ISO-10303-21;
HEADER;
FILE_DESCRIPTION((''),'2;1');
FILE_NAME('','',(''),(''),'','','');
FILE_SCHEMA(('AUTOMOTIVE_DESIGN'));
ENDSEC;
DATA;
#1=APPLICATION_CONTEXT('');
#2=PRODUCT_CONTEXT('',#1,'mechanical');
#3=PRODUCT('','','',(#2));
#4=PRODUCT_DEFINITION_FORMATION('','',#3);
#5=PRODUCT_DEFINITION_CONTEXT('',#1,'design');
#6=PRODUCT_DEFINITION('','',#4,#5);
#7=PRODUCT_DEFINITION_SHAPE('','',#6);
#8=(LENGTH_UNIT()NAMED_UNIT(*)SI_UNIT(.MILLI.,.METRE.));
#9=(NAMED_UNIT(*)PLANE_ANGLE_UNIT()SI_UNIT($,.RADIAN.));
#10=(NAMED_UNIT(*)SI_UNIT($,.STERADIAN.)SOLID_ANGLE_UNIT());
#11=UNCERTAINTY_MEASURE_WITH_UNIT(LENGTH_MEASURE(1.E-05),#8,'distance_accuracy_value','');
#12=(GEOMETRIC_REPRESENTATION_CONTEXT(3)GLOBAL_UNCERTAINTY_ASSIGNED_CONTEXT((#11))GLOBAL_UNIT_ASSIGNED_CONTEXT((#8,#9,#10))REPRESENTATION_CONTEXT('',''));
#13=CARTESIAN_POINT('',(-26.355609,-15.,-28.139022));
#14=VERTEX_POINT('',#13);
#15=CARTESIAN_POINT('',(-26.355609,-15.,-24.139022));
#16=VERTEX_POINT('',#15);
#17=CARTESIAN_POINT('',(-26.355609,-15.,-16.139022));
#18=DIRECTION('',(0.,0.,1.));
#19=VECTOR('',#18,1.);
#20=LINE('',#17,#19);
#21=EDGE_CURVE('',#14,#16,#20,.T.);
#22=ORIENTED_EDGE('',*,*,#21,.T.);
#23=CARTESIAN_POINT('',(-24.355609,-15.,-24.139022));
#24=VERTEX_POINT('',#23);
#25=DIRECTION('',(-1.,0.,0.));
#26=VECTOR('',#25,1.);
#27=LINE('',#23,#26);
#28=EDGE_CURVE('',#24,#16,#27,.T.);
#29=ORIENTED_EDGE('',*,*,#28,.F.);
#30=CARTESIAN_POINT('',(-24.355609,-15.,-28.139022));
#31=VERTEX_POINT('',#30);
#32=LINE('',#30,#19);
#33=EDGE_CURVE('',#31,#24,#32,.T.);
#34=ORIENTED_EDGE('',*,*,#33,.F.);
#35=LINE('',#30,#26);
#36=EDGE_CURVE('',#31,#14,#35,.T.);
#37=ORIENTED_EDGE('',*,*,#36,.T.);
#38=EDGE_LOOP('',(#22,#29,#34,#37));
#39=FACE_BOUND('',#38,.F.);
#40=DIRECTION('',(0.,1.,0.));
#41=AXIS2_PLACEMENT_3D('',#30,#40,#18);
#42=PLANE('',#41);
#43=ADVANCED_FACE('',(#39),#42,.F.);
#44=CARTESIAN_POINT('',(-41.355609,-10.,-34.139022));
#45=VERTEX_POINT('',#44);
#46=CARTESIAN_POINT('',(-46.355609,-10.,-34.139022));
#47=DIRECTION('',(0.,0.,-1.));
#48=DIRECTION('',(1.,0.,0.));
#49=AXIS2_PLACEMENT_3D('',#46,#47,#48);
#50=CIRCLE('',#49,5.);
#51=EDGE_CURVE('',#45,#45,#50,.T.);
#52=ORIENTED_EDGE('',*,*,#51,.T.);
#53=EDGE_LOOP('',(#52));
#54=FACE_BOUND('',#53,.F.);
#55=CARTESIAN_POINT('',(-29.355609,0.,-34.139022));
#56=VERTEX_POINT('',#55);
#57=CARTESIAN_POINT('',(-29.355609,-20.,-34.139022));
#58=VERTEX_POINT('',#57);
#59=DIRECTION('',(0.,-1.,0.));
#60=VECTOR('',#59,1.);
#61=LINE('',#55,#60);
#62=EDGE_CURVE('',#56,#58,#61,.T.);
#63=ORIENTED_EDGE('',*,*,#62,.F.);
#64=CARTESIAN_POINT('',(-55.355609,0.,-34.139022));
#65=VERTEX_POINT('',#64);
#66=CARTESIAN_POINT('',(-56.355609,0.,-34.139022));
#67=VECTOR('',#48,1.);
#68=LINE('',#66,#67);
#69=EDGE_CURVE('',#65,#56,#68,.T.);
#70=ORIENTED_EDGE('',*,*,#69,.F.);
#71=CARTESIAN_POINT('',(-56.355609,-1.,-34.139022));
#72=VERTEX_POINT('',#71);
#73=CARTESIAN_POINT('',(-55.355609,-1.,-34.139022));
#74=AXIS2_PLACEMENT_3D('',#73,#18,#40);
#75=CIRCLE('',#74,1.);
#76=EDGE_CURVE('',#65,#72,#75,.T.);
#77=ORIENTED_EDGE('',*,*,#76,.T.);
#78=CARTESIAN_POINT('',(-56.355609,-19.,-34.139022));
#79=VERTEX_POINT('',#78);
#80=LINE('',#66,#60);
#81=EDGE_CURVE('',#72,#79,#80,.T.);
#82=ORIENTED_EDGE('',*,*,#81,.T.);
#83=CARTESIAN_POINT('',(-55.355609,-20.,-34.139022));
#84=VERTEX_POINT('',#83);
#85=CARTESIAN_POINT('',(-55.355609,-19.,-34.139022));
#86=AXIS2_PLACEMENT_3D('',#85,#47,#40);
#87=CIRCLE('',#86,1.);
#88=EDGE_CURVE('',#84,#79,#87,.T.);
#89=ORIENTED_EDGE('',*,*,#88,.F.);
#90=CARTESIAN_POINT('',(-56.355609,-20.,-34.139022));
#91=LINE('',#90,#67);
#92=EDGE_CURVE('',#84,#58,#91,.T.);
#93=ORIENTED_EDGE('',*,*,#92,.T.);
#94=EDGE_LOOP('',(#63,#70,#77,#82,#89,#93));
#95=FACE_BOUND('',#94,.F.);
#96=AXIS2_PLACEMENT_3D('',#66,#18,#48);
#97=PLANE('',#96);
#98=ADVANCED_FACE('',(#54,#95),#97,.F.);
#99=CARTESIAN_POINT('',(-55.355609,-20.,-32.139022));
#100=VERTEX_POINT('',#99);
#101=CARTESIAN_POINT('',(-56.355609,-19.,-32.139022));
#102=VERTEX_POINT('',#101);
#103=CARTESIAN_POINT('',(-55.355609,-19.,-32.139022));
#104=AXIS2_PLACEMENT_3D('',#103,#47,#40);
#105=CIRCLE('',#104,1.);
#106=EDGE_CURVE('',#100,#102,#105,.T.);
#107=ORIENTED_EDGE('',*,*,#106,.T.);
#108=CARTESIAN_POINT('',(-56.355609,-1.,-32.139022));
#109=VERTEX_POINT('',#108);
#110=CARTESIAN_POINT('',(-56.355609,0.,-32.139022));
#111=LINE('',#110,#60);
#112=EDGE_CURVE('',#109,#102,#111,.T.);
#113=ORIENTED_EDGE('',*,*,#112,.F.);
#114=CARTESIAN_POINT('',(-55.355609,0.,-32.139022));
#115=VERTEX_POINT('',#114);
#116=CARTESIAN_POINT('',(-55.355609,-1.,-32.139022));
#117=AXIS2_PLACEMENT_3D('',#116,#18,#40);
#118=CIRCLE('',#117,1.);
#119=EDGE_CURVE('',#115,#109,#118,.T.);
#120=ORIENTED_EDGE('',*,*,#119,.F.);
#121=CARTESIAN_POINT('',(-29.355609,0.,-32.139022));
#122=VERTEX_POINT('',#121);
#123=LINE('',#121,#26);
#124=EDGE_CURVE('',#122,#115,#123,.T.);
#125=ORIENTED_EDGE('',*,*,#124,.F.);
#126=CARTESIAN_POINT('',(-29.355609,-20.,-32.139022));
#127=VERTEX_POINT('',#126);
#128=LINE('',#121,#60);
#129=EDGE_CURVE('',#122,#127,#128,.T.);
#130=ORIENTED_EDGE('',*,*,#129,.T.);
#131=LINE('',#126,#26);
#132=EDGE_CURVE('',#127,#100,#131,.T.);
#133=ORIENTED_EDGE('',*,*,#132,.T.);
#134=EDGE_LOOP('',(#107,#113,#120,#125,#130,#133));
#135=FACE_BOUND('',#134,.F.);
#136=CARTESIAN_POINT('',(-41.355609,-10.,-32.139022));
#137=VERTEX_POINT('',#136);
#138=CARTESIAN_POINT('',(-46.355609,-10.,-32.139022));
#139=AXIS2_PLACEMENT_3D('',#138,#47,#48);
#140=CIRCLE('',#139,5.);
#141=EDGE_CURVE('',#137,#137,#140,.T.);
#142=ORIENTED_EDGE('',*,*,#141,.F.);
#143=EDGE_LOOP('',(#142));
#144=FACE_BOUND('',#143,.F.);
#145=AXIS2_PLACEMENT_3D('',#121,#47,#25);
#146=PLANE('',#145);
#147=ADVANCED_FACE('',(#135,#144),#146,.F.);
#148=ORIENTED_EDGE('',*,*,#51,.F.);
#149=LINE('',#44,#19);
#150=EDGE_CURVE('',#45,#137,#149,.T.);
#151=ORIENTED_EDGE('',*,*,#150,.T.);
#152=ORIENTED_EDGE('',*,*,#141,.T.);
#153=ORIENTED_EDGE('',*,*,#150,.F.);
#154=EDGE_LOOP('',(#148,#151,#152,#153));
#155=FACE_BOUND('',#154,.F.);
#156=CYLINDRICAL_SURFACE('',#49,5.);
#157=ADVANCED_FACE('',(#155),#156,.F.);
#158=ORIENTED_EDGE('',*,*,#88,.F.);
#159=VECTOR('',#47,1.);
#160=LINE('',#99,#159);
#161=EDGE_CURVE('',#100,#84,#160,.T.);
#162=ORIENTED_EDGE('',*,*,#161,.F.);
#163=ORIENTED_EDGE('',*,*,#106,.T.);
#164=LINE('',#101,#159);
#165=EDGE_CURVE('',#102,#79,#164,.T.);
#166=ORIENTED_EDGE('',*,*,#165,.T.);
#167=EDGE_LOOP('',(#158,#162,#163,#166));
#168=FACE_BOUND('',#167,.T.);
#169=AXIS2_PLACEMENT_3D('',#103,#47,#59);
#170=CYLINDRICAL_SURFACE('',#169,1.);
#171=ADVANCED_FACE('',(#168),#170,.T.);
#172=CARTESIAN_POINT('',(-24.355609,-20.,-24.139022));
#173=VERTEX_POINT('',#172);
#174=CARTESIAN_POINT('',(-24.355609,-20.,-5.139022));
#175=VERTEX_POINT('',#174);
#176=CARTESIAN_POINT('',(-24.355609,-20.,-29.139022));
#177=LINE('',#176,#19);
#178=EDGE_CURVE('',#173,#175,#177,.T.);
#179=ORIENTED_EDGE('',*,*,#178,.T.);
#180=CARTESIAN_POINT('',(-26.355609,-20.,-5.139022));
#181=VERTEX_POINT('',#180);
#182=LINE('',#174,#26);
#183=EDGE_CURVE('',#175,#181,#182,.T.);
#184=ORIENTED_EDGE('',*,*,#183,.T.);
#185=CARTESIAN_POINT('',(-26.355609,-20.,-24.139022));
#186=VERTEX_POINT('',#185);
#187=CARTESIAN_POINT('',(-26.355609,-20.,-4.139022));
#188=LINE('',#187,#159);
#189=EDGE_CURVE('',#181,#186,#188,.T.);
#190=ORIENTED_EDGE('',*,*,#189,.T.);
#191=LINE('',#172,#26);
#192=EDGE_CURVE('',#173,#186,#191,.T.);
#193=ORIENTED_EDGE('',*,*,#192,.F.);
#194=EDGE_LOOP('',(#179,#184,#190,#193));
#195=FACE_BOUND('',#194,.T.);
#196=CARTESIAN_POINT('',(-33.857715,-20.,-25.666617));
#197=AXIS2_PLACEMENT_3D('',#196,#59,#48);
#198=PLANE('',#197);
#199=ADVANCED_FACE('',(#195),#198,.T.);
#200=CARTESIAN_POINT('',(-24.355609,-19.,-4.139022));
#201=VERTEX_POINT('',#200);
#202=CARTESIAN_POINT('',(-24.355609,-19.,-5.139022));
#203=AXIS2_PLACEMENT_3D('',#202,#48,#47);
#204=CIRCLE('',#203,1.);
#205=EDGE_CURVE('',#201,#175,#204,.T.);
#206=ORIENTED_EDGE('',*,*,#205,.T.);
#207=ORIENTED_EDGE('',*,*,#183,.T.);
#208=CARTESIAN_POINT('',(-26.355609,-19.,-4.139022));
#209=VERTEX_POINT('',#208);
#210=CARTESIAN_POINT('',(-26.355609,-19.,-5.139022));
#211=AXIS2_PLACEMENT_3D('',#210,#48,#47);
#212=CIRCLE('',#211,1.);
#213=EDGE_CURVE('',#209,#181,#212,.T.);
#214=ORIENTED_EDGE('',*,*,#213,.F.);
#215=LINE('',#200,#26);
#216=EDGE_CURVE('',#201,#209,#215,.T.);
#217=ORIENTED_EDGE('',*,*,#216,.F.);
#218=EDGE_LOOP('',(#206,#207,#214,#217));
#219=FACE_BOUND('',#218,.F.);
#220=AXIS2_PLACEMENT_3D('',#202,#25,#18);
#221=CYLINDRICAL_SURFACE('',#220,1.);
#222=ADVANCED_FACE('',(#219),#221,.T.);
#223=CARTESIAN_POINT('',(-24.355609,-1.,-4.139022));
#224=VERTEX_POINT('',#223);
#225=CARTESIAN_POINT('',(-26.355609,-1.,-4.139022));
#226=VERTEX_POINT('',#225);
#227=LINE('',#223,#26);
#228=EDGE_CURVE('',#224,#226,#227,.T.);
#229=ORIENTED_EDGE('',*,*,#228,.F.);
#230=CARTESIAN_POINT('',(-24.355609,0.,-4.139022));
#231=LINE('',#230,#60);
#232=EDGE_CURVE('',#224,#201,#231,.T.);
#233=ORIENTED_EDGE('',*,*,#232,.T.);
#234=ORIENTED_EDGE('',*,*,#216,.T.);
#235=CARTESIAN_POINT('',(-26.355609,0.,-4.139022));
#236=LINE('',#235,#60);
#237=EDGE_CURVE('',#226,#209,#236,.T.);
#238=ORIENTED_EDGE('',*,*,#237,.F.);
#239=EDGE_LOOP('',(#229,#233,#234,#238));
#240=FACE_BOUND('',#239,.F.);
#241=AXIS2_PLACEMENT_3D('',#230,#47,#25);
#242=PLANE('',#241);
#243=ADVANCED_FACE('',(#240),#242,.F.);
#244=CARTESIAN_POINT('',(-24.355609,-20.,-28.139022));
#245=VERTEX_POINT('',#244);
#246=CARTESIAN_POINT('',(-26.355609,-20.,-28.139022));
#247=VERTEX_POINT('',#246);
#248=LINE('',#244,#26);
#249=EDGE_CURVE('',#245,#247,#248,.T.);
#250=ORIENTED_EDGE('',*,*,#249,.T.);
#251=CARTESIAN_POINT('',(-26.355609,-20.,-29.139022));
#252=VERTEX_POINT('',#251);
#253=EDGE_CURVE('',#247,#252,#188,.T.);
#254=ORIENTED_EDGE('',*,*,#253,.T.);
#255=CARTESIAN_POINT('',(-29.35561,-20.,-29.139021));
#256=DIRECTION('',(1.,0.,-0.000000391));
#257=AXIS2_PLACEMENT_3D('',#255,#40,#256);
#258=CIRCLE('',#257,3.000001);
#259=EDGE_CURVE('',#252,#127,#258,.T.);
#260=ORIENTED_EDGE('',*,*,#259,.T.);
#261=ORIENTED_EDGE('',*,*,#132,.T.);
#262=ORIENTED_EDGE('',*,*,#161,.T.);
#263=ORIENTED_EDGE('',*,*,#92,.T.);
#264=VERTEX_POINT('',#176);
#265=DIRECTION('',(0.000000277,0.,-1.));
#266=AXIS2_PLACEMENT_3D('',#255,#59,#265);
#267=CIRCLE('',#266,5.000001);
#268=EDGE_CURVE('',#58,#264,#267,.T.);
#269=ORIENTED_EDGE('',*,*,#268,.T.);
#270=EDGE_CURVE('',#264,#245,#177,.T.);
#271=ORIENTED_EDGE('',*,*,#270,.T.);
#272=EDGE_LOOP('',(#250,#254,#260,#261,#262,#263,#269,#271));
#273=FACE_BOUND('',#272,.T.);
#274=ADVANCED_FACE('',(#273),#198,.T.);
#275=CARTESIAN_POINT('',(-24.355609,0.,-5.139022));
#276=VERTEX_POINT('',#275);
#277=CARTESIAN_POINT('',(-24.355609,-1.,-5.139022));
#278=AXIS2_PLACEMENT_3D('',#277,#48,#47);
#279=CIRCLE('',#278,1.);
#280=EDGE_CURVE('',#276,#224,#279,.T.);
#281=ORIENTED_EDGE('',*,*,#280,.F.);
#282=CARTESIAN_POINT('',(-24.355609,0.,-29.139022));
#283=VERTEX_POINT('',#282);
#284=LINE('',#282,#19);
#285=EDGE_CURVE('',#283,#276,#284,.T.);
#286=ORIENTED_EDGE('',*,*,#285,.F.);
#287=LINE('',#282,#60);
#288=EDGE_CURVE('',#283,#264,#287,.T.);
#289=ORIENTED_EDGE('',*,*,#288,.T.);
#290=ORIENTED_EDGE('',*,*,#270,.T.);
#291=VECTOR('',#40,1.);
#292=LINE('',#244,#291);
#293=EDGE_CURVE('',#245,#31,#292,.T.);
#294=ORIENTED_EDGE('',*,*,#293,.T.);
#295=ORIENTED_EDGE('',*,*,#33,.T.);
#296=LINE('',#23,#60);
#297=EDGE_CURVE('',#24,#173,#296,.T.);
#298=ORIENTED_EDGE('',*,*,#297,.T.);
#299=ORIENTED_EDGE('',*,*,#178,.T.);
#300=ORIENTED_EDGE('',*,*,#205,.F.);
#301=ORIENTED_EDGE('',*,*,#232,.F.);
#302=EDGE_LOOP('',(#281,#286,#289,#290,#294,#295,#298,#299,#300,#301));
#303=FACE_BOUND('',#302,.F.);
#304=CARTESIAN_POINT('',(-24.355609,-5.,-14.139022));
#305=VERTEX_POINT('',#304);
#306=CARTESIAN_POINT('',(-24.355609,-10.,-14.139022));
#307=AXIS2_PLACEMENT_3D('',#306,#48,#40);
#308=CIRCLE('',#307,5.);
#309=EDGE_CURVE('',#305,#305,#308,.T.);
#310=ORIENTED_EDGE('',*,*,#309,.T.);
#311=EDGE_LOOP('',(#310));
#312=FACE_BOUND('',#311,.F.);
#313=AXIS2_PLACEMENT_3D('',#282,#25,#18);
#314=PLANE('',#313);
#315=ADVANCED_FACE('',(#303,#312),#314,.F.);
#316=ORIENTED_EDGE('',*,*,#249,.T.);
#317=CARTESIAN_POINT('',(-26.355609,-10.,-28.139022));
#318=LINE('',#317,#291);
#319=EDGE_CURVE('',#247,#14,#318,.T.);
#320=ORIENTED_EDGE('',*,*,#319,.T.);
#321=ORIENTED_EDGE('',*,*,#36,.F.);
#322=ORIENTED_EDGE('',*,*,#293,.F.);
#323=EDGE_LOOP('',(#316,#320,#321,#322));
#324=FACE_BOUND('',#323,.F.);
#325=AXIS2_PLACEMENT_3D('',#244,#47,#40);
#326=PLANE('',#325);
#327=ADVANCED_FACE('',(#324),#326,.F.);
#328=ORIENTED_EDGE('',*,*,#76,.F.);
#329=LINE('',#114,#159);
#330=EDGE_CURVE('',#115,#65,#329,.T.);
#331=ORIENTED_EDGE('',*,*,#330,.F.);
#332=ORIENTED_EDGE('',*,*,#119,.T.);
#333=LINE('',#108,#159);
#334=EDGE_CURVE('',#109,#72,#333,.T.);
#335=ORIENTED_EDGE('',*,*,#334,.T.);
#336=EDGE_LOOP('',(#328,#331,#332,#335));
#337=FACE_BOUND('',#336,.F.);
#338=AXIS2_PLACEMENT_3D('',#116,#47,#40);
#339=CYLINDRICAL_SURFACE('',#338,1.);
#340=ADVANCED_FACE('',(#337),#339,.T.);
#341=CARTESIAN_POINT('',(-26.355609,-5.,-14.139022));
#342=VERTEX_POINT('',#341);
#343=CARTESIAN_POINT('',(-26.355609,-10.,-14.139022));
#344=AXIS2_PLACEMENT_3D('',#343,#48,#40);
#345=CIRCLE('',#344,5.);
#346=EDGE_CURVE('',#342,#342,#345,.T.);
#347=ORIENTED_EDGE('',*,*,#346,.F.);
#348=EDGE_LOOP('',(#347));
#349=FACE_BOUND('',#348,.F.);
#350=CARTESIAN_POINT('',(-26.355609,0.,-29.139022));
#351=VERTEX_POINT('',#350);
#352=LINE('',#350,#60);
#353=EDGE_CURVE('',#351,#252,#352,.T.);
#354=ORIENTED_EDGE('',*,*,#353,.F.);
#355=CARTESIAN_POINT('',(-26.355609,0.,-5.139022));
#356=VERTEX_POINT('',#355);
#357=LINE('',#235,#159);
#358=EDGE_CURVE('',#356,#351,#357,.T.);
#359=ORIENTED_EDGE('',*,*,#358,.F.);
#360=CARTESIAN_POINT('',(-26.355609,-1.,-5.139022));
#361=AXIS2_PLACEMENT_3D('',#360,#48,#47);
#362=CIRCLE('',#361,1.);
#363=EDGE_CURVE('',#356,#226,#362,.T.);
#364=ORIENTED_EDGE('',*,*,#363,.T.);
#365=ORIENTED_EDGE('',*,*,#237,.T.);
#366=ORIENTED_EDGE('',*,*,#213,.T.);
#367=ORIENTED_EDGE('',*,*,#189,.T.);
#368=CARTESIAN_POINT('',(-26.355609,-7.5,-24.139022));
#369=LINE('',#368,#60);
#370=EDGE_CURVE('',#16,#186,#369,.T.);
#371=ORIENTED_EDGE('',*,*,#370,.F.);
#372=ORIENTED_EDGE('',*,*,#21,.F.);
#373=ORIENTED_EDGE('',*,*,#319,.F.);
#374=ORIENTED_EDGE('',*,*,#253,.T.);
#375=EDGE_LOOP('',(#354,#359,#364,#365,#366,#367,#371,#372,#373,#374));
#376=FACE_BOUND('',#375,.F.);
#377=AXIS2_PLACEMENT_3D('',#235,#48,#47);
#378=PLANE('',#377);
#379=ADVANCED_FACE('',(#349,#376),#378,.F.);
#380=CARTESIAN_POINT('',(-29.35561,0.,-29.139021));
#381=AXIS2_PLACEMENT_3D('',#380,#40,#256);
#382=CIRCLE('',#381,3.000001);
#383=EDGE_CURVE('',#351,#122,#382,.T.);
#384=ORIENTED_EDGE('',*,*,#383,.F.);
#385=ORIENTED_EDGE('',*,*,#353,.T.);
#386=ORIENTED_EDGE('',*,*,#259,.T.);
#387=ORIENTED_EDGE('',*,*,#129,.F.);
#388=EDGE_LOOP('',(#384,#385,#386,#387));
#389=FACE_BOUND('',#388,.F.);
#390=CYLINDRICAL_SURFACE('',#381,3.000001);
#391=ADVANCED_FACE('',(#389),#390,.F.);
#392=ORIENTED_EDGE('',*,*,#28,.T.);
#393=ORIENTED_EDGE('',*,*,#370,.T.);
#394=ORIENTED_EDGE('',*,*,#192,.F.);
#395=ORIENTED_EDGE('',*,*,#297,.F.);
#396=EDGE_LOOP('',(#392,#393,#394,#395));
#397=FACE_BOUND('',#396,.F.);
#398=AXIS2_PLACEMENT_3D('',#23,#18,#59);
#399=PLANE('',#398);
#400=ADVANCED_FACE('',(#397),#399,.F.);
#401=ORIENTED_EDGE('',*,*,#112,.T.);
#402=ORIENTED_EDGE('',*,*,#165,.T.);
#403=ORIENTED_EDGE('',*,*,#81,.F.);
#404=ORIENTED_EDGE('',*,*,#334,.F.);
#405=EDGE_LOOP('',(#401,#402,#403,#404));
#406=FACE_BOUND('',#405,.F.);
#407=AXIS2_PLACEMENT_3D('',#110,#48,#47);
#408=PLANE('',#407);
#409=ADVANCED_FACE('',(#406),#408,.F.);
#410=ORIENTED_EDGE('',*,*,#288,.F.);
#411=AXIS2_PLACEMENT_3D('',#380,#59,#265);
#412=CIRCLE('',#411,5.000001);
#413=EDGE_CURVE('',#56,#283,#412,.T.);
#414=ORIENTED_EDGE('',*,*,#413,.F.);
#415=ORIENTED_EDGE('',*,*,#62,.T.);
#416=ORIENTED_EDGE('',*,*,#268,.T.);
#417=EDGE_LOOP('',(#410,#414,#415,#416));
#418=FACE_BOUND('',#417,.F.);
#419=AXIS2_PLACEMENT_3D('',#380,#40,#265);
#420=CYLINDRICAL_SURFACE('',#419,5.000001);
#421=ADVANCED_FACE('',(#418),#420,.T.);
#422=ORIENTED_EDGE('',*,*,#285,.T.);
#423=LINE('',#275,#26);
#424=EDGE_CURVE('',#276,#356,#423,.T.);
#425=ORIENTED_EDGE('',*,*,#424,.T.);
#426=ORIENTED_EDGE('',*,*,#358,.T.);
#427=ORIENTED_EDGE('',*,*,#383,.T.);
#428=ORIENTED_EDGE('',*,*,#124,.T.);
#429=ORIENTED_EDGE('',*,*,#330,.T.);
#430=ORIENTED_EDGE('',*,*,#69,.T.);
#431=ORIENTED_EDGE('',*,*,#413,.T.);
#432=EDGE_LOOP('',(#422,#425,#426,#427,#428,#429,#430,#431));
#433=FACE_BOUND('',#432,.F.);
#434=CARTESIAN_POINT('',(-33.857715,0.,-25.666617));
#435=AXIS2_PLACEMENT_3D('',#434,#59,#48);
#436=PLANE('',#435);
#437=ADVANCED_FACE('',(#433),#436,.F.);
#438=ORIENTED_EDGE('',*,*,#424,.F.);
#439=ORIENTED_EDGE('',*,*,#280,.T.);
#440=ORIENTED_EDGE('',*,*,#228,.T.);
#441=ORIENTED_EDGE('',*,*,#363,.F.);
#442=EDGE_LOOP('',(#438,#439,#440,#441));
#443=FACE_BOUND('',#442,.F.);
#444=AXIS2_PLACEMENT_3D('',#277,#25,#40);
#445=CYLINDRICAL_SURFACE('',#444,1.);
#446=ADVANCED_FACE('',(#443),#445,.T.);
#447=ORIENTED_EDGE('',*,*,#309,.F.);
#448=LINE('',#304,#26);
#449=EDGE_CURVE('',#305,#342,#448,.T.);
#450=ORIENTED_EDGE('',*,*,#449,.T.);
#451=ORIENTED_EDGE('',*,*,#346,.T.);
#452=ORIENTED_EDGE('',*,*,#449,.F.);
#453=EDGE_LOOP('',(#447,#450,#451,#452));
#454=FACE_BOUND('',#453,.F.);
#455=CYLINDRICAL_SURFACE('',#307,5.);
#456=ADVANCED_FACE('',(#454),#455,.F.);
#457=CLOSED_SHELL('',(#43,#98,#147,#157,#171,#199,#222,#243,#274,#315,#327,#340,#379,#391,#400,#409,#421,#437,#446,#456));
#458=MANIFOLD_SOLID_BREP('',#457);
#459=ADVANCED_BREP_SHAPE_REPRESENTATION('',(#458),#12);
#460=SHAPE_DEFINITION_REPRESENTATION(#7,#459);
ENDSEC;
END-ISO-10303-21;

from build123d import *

# Parameters (mm, degrees)
F1_DEPTH = 20
F3_DEPTH = 3
F4_R     = 5
F5_DEPTH = 3
F6_R     = 5
F7_DEPTH = 3
F8_R     = 1


with BuildPart() as f1:
    # F0 (on Front) → F1 (new body)
    with BuildSketch(Plane.XZ):
        with BuildLine():
            Line((-29.355609, -32.139022), (-56.355609, -32.139022))
            Line((-56.355609, -32.139022), (-56.355609, -34.139022))
            Line((-56.355609, -34.139022), (-29.355609, -34.139022))
            ThreePointArc((-29.355609, -34.139022), (-25.820076, -32.674556), (-24.355609, -29.139022))
            Line((-24.355609, -29.139022), (-24.355609, -4.139022))
            Line((-24.355609, -4.139022), (-26.355609, -4.139022))
            Line((-26.355609, -4.139022), (-26.355609, -29.139022))
            ThreePointArc((-26.355609, -29.139022), (-27.234289, -31.260342), (-29.355609, -32.139022))
        make_face()
    extrude(amount=F1_DEPTH)

    # F2 (on face) → F3 (cut)
    with BuildSketch(Plane.YZ.offset(-24.355609)):
        Polygon((-17.18655, -24.139022), (-20, -24.139022), (-20, -28.139022), (-15, -28.139022), (-15, -24.139022), align=None)
    extrude(amount=-F3_DEPTH, mode=Mode.SUBTRACT)

    # F4 (on face) → F5 (cut)
    with BuildSketch(Plane.YZ.offset(-24.355609)):
        with Locations((-10, -14.139022)):
            Circle(F4_R)
    extrude(amount=-F5_DEPTH, mode=Mode.SUBTRACT)

    # F6 (on face) → F7 (cut)
    with BuildSketch(Plane(origin=(0, 0, -34.139022), x_dir=(1, 0, 0), z_dir=(0, 0, -1))):
        with Locations((-46.355609, 10)):
            Circle(F6_R)
    extrude(amount=-F7_DEPTH, mode=Mode.SUBTRACT)

    # F8
    f8_edges = [f1.edges().sort_by_distance(p)[0] for p in [
        (-25.355609, -20, -4.139022),
        (-25.355609, 0, -4.139022),
        (-56.355609, -20, -33.139022),
        (-56.355609, 0, -33.139022),
    ]]
    fillet(f8_edges, radius=F8_R)


solid = f1.part
